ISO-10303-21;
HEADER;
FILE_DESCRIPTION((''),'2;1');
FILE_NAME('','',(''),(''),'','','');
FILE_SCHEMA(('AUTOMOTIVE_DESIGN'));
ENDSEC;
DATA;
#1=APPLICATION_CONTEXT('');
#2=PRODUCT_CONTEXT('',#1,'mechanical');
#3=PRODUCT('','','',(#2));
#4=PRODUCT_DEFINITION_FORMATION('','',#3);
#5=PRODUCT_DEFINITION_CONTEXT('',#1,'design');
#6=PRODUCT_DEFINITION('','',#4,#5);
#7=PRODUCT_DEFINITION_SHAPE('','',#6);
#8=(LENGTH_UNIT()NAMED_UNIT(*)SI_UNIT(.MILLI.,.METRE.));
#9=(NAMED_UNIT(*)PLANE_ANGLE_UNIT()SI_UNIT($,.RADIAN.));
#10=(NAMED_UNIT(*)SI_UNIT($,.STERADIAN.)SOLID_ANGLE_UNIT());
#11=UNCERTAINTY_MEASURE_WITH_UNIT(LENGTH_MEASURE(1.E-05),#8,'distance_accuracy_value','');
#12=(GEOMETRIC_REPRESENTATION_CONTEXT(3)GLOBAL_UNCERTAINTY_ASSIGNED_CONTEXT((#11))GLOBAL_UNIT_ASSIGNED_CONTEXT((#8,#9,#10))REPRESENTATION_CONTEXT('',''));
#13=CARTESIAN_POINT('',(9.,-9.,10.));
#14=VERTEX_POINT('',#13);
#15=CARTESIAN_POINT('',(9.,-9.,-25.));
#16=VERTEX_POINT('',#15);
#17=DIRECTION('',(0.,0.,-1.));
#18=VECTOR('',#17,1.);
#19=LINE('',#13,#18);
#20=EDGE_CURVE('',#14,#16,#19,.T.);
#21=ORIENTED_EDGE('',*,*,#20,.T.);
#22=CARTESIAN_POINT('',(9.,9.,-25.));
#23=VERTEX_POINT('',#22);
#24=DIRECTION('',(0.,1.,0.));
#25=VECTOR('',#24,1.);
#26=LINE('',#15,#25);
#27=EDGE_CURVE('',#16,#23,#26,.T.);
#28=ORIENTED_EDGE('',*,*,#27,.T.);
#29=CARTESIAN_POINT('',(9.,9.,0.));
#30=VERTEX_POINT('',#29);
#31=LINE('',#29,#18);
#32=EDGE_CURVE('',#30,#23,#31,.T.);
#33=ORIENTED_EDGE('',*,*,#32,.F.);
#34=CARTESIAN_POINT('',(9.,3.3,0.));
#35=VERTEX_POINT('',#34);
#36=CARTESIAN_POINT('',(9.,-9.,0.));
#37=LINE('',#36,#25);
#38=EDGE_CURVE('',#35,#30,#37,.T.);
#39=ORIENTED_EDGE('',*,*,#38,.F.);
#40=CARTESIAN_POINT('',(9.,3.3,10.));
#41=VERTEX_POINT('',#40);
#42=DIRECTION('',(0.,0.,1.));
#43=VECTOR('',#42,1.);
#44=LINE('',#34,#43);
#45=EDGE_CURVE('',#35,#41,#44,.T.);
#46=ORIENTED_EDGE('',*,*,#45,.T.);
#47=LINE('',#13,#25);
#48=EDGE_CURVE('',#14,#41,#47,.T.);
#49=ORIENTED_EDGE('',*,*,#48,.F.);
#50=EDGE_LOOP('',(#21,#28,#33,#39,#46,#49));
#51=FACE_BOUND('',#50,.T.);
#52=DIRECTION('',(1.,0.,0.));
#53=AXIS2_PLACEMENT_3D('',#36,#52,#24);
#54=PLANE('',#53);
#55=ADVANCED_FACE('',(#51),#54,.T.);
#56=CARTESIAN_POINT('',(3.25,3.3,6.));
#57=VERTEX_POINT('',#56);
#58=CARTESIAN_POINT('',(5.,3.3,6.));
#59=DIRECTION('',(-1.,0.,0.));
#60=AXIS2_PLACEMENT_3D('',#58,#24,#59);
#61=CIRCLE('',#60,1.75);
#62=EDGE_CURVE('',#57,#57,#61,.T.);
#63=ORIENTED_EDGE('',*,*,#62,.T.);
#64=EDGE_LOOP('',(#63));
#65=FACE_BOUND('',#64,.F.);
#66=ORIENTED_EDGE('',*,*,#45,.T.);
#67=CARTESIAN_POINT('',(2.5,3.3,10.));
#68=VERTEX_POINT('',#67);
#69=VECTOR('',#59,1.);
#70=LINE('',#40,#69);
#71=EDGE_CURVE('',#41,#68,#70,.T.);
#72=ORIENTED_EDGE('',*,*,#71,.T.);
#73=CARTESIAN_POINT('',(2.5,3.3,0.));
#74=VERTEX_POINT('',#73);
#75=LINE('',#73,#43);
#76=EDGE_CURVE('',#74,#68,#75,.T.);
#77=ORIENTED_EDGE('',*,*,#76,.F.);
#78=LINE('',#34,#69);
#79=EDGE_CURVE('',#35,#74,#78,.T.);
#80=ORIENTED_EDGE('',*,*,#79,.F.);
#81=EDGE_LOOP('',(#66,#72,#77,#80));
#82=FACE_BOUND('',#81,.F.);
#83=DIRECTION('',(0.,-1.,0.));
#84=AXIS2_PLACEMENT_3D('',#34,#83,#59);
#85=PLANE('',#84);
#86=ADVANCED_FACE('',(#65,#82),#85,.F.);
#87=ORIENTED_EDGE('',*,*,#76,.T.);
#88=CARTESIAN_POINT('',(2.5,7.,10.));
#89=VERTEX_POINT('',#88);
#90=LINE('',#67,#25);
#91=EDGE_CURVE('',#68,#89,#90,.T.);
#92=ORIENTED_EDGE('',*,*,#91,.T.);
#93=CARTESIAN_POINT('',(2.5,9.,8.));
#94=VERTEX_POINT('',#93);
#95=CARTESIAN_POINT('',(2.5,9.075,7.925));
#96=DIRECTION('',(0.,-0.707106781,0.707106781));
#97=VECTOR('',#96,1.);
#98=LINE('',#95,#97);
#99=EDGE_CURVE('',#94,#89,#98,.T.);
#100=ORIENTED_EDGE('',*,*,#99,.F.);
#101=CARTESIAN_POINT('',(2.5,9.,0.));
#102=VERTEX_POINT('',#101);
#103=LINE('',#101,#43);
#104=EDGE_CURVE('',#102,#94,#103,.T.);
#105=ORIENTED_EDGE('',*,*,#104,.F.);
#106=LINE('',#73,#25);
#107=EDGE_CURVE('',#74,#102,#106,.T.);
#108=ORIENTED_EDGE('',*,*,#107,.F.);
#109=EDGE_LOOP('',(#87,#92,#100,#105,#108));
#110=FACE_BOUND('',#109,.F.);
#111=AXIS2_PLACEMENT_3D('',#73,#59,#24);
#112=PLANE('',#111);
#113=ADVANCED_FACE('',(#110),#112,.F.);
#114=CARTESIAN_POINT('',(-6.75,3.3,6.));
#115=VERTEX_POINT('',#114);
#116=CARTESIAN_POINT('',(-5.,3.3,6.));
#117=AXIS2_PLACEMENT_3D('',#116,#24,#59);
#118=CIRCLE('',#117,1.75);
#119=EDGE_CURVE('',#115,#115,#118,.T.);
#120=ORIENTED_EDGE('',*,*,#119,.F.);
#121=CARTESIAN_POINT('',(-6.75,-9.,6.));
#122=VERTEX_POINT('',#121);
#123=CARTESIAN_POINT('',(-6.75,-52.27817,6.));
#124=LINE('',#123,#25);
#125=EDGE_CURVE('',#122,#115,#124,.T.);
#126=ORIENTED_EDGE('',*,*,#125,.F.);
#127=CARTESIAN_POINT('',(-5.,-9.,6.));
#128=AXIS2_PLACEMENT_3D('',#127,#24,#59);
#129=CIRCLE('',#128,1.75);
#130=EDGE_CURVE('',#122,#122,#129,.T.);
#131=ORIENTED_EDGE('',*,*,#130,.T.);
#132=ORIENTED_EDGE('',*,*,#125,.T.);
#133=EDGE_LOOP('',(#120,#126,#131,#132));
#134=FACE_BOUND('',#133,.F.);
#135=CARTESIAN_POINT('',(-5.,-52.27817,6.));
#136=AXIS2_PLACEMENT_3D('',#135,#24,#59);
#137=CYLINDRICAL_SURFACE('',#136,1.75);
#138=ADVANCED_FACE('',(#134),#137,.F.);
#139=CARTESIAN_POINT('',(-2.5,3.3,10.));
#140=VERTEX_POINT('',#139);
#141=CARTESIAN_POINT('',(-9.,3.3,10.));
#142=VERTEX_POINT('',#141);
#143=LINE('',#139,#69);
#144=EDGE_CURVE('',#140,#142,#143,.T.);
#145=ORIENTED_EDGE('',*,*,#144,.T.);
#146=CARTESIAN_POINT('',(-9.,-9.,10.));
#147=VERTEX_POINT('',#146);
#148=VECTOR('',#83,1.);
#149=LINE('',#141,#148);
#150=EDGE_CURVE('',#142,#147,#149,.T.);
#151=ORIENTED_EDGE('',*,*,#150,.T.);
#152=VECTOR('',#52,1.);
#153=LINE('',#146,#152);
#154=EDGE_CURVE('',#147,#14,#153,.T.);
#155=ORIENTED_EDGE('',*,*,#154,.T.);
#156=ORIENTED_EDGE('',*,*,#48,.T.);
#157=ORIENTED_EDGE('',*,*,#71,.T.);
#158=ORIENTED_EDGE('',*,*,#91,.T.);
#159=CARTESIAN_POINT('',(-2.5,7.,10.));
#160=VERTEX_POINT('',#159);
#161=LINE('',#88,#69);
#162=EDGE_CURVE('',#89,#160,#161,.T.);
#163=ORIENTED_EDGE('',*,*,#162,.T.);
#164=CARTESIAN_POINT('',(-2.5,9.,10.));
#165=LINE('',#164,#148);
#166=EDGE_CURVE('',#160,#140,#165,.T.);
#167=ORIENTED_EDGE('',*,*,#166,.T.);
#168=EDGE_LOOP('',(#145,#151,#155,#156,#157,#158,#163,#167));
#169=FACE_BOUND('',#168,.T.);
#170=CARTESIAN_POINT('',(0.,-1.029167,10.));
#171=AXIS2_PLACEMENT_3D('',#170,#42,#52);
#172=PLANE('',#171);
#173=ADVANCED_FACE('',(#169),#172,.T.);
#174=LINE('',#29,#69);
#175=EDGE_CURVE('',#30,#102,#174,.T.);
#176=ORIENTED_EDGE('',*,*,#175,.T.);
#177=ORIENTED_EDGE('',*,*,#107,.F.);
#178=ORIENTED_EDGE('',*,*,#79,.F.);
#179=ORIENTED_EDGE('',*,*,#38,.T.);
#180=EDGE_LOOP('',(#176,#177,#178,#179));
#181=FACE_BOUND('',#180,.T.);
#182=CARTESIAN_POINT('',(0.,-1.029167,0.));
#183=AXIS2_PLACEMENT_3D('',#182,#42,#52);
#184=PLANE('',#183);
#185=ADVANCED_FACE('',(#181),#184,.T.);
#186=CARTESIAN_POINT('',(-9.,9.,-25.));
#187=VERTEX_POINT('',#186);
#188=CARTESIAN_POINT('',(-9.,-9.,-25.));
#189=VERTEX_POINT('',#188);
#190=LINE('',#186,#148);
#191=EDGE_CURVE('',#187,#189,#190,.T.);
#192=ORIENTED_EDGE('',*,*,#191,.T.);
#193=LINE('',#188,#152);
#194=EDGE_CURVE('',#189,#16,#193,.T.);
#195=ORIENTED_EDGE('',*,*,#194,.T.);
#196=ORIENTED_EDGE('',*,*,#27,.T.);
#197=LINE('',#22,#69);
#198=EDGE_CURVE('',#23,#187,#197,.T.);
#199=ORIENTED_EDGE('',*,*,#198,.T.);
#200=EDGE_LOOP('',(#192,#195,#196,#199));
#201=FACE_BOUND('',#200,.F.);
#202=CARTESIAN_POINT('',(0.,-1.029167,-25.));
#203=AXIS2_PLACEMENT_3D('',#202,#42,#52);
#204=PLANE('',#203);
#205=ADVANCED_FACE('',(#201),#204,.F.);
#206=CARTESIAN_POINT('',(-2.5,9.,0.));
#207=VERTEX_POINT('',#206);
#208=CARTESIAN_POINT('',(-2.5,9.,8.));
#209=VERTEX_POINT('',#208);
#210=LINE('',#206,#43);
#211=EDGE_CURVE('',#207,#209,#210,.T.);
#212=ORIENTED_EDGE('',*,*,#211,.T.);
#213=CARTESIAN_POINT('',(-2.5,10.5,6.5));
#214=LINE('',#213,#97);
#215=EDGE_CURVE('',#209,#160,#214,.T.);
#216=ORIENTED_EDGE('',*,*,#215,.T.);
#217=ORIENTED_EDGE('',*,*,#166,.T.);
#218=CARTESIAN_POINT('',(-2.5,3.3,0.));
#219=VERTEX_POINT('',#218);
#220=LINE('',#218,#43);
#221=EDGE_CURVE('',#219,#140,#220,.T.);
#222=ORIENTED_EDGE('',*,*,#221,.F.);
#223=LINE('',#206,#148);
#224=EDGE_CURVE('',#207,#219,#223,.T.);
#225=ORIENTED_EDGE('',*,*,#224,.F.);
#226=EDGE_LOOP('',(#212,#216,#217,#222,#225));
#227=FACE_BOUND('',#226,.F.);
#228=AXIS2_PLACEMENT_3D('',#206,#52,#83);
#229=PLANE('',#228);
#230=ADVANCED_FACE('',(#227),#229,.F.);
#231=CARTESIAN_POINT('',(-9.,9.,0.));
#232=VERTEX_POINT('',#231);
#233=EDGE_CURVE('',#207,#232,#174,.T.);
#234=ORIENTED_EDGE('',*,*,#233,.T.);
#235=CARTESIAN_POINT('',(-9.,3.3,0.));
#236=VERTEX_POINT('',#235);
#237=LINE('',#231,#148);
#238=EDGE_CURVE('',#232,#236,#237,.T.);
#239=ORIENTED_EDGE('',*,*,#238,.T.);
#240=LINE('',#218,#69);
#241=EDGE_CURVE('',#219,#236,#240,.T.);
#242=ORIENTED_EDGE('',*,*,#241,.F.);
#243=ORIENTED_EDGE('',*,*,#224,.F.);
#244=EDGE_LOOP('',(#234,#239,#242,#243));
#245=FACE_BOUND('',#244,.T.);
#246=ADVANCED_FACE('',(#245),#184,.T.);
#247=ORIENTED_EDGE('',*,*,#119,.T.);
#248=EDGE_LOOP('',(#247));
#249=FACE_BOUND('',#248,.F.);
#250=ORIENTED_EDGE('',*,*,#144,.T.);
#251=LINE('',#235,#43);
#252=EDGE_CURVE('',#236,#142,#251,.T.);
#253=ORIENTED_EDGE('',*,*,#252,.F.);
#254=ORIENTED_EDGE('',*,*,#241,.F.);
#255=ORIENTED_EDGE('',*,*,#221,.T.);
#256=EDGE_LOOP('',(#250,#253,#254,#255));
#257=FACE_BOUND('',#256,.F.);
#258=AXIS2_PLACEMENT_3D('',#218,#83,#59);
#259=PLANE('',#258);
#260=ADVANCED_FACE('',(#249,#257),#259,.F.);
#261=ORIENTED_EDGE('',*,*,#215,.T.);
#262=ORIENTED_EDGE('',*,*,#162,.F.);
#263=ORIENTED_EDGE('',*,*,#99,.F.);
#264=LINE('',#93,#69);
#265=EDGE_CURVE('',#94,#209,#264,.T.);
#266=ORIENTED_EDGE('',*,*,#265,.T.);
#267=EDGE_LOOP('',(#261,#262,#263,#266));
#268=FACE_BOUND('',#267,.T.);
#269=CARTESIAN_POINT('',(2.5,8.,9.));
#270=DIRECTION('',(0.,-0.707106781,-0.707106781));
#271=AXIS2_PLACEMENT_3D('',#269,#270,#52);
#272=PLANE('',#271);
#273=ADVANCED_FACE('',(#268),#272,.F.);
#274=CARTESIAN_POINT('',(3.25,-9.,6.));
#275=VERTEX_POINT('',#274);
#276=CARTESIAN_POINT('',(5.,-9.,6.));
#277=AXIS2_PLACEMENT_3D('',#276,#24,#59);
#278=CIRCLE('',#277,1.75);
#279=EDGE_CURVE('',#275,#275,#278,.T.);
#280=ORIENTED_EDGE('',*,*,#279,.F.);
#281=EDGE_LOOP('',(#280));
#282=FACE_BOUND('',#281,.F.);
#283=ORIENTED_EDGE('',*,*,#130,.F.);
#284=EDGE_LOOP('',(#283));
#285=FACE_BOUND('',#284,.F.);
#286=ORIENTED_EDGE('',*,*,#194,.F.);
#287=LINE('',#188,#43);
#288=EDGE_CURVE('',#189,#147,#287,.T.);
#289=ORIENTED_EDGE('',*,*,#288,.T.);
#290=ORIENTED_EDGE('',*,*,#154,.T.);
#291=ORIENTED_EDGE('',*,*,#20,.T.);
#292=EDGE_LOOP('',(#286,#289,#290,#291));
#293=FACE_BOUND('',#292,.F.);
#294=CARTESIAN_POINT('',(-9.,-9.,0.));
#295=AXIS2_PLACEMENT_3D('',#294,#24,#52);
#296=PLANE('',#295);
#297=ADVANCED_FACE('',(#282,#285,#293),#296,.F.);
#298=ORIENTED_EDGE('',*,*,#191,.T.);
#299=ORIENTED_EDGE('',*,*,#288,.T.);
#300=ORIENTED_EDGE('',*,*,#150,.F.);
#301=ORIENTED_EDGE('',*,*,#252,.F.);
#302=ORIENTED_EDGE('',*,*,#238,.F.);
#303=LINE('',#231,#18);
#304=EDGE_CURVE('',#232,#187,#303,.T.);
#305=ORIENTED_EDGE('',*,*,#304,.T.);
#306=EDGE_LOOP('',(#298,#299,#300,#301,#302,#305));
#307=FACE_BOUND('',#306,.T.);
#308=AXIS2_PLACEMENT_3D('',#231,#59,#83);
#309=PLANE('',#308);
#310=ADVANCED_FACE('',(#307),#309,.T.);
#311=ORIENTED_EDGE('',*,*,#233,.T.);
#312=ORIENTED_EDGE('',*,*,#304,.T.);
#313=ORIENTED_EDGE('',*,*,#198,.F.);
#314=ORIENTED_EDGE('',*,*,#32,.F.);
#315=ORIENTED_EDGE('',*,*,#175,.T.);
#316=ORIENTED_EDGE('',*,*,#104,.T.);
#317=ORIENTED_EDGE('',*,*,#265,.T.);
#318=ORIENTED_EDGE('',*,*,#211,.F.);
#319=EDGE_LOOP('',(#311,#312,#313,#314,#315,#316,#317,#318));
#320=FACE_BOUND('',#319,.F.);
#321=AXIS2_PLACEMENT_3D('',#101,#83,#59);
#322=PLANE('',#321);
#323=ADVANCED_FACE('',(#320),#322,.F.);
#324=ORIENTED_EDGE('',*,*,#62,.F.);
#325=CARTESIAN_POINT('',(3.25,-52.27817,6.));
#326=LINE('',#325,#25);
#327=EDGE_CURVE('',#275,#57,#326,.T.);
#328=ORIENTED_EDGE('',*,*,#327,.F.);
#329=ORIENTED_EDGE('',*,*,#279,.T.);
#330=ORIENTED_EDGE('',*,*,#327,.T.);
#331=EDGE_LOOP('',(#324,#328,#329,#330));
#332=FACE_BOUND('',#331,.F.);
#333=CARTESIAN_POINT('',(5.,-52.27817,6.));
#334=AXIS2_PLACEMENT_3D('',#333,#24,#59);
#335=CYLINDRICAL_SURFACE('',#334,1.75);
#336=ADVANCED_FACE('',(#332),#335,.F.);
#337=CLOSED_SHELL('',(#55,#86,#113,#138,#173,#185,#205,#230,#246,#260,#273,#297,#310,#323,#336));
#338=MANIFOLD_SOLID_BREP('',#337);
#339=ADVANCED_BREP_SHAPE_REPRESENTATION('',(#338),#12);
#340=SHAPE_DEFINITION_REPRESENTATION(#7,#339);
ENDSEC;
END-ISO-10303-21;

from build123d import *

# Parameters (mm, degrees)
F0_W     = 6.5
F0_H     = 5.7
F1_DEPTH = 25
F2_DEPTH = 10
F3_SIZE  = 2
F5_D     = 3.5


with BuildPart() as f1:
    # F0 (on Top) → F1 (new body)
    with BuildSketch(Plane.XY):
        Polygon((2.5, 9), (-2.5, 9), (-2.5, 3.3), (-9, 3.3), (-9, -9), (9, -9), (9, 3.3), (2.5, 3.3), align=None)
        with Locations((-5.75, 6.15)):
            Rectangle(F0_W, F0_H)
        with Locations((5.75, 6.15)):
            Rectangle(F0_W, F0_H)
    extrude(amount=-F1_DEPTH)

    # F0 (on Top) → F2 (join)
    with BuildSketch(Plane.XY):
        Polygon((2.5, 9), (-2.5, 9), (-2.5, 3.3), (-9, 3.3), (-9, -9), (9, -9), (9, 3.3), (2.5, 3.3), align=None)
    extrude(amount=F2_DEPTH)

    # F3
    f3_edges = [f1.edges().sort_by_distance(p)[0] for p in [
        (0, 9, 10),
    ]]
    chamfer(f3_edges, length=F3_SIZE)

    # F5 (through all)
    with Locations(Plane.XZ.offset(9)):
        with Locations((-5, 6), (5, 6)):
            Hole(F5_D / 2)


solid = f1.part
